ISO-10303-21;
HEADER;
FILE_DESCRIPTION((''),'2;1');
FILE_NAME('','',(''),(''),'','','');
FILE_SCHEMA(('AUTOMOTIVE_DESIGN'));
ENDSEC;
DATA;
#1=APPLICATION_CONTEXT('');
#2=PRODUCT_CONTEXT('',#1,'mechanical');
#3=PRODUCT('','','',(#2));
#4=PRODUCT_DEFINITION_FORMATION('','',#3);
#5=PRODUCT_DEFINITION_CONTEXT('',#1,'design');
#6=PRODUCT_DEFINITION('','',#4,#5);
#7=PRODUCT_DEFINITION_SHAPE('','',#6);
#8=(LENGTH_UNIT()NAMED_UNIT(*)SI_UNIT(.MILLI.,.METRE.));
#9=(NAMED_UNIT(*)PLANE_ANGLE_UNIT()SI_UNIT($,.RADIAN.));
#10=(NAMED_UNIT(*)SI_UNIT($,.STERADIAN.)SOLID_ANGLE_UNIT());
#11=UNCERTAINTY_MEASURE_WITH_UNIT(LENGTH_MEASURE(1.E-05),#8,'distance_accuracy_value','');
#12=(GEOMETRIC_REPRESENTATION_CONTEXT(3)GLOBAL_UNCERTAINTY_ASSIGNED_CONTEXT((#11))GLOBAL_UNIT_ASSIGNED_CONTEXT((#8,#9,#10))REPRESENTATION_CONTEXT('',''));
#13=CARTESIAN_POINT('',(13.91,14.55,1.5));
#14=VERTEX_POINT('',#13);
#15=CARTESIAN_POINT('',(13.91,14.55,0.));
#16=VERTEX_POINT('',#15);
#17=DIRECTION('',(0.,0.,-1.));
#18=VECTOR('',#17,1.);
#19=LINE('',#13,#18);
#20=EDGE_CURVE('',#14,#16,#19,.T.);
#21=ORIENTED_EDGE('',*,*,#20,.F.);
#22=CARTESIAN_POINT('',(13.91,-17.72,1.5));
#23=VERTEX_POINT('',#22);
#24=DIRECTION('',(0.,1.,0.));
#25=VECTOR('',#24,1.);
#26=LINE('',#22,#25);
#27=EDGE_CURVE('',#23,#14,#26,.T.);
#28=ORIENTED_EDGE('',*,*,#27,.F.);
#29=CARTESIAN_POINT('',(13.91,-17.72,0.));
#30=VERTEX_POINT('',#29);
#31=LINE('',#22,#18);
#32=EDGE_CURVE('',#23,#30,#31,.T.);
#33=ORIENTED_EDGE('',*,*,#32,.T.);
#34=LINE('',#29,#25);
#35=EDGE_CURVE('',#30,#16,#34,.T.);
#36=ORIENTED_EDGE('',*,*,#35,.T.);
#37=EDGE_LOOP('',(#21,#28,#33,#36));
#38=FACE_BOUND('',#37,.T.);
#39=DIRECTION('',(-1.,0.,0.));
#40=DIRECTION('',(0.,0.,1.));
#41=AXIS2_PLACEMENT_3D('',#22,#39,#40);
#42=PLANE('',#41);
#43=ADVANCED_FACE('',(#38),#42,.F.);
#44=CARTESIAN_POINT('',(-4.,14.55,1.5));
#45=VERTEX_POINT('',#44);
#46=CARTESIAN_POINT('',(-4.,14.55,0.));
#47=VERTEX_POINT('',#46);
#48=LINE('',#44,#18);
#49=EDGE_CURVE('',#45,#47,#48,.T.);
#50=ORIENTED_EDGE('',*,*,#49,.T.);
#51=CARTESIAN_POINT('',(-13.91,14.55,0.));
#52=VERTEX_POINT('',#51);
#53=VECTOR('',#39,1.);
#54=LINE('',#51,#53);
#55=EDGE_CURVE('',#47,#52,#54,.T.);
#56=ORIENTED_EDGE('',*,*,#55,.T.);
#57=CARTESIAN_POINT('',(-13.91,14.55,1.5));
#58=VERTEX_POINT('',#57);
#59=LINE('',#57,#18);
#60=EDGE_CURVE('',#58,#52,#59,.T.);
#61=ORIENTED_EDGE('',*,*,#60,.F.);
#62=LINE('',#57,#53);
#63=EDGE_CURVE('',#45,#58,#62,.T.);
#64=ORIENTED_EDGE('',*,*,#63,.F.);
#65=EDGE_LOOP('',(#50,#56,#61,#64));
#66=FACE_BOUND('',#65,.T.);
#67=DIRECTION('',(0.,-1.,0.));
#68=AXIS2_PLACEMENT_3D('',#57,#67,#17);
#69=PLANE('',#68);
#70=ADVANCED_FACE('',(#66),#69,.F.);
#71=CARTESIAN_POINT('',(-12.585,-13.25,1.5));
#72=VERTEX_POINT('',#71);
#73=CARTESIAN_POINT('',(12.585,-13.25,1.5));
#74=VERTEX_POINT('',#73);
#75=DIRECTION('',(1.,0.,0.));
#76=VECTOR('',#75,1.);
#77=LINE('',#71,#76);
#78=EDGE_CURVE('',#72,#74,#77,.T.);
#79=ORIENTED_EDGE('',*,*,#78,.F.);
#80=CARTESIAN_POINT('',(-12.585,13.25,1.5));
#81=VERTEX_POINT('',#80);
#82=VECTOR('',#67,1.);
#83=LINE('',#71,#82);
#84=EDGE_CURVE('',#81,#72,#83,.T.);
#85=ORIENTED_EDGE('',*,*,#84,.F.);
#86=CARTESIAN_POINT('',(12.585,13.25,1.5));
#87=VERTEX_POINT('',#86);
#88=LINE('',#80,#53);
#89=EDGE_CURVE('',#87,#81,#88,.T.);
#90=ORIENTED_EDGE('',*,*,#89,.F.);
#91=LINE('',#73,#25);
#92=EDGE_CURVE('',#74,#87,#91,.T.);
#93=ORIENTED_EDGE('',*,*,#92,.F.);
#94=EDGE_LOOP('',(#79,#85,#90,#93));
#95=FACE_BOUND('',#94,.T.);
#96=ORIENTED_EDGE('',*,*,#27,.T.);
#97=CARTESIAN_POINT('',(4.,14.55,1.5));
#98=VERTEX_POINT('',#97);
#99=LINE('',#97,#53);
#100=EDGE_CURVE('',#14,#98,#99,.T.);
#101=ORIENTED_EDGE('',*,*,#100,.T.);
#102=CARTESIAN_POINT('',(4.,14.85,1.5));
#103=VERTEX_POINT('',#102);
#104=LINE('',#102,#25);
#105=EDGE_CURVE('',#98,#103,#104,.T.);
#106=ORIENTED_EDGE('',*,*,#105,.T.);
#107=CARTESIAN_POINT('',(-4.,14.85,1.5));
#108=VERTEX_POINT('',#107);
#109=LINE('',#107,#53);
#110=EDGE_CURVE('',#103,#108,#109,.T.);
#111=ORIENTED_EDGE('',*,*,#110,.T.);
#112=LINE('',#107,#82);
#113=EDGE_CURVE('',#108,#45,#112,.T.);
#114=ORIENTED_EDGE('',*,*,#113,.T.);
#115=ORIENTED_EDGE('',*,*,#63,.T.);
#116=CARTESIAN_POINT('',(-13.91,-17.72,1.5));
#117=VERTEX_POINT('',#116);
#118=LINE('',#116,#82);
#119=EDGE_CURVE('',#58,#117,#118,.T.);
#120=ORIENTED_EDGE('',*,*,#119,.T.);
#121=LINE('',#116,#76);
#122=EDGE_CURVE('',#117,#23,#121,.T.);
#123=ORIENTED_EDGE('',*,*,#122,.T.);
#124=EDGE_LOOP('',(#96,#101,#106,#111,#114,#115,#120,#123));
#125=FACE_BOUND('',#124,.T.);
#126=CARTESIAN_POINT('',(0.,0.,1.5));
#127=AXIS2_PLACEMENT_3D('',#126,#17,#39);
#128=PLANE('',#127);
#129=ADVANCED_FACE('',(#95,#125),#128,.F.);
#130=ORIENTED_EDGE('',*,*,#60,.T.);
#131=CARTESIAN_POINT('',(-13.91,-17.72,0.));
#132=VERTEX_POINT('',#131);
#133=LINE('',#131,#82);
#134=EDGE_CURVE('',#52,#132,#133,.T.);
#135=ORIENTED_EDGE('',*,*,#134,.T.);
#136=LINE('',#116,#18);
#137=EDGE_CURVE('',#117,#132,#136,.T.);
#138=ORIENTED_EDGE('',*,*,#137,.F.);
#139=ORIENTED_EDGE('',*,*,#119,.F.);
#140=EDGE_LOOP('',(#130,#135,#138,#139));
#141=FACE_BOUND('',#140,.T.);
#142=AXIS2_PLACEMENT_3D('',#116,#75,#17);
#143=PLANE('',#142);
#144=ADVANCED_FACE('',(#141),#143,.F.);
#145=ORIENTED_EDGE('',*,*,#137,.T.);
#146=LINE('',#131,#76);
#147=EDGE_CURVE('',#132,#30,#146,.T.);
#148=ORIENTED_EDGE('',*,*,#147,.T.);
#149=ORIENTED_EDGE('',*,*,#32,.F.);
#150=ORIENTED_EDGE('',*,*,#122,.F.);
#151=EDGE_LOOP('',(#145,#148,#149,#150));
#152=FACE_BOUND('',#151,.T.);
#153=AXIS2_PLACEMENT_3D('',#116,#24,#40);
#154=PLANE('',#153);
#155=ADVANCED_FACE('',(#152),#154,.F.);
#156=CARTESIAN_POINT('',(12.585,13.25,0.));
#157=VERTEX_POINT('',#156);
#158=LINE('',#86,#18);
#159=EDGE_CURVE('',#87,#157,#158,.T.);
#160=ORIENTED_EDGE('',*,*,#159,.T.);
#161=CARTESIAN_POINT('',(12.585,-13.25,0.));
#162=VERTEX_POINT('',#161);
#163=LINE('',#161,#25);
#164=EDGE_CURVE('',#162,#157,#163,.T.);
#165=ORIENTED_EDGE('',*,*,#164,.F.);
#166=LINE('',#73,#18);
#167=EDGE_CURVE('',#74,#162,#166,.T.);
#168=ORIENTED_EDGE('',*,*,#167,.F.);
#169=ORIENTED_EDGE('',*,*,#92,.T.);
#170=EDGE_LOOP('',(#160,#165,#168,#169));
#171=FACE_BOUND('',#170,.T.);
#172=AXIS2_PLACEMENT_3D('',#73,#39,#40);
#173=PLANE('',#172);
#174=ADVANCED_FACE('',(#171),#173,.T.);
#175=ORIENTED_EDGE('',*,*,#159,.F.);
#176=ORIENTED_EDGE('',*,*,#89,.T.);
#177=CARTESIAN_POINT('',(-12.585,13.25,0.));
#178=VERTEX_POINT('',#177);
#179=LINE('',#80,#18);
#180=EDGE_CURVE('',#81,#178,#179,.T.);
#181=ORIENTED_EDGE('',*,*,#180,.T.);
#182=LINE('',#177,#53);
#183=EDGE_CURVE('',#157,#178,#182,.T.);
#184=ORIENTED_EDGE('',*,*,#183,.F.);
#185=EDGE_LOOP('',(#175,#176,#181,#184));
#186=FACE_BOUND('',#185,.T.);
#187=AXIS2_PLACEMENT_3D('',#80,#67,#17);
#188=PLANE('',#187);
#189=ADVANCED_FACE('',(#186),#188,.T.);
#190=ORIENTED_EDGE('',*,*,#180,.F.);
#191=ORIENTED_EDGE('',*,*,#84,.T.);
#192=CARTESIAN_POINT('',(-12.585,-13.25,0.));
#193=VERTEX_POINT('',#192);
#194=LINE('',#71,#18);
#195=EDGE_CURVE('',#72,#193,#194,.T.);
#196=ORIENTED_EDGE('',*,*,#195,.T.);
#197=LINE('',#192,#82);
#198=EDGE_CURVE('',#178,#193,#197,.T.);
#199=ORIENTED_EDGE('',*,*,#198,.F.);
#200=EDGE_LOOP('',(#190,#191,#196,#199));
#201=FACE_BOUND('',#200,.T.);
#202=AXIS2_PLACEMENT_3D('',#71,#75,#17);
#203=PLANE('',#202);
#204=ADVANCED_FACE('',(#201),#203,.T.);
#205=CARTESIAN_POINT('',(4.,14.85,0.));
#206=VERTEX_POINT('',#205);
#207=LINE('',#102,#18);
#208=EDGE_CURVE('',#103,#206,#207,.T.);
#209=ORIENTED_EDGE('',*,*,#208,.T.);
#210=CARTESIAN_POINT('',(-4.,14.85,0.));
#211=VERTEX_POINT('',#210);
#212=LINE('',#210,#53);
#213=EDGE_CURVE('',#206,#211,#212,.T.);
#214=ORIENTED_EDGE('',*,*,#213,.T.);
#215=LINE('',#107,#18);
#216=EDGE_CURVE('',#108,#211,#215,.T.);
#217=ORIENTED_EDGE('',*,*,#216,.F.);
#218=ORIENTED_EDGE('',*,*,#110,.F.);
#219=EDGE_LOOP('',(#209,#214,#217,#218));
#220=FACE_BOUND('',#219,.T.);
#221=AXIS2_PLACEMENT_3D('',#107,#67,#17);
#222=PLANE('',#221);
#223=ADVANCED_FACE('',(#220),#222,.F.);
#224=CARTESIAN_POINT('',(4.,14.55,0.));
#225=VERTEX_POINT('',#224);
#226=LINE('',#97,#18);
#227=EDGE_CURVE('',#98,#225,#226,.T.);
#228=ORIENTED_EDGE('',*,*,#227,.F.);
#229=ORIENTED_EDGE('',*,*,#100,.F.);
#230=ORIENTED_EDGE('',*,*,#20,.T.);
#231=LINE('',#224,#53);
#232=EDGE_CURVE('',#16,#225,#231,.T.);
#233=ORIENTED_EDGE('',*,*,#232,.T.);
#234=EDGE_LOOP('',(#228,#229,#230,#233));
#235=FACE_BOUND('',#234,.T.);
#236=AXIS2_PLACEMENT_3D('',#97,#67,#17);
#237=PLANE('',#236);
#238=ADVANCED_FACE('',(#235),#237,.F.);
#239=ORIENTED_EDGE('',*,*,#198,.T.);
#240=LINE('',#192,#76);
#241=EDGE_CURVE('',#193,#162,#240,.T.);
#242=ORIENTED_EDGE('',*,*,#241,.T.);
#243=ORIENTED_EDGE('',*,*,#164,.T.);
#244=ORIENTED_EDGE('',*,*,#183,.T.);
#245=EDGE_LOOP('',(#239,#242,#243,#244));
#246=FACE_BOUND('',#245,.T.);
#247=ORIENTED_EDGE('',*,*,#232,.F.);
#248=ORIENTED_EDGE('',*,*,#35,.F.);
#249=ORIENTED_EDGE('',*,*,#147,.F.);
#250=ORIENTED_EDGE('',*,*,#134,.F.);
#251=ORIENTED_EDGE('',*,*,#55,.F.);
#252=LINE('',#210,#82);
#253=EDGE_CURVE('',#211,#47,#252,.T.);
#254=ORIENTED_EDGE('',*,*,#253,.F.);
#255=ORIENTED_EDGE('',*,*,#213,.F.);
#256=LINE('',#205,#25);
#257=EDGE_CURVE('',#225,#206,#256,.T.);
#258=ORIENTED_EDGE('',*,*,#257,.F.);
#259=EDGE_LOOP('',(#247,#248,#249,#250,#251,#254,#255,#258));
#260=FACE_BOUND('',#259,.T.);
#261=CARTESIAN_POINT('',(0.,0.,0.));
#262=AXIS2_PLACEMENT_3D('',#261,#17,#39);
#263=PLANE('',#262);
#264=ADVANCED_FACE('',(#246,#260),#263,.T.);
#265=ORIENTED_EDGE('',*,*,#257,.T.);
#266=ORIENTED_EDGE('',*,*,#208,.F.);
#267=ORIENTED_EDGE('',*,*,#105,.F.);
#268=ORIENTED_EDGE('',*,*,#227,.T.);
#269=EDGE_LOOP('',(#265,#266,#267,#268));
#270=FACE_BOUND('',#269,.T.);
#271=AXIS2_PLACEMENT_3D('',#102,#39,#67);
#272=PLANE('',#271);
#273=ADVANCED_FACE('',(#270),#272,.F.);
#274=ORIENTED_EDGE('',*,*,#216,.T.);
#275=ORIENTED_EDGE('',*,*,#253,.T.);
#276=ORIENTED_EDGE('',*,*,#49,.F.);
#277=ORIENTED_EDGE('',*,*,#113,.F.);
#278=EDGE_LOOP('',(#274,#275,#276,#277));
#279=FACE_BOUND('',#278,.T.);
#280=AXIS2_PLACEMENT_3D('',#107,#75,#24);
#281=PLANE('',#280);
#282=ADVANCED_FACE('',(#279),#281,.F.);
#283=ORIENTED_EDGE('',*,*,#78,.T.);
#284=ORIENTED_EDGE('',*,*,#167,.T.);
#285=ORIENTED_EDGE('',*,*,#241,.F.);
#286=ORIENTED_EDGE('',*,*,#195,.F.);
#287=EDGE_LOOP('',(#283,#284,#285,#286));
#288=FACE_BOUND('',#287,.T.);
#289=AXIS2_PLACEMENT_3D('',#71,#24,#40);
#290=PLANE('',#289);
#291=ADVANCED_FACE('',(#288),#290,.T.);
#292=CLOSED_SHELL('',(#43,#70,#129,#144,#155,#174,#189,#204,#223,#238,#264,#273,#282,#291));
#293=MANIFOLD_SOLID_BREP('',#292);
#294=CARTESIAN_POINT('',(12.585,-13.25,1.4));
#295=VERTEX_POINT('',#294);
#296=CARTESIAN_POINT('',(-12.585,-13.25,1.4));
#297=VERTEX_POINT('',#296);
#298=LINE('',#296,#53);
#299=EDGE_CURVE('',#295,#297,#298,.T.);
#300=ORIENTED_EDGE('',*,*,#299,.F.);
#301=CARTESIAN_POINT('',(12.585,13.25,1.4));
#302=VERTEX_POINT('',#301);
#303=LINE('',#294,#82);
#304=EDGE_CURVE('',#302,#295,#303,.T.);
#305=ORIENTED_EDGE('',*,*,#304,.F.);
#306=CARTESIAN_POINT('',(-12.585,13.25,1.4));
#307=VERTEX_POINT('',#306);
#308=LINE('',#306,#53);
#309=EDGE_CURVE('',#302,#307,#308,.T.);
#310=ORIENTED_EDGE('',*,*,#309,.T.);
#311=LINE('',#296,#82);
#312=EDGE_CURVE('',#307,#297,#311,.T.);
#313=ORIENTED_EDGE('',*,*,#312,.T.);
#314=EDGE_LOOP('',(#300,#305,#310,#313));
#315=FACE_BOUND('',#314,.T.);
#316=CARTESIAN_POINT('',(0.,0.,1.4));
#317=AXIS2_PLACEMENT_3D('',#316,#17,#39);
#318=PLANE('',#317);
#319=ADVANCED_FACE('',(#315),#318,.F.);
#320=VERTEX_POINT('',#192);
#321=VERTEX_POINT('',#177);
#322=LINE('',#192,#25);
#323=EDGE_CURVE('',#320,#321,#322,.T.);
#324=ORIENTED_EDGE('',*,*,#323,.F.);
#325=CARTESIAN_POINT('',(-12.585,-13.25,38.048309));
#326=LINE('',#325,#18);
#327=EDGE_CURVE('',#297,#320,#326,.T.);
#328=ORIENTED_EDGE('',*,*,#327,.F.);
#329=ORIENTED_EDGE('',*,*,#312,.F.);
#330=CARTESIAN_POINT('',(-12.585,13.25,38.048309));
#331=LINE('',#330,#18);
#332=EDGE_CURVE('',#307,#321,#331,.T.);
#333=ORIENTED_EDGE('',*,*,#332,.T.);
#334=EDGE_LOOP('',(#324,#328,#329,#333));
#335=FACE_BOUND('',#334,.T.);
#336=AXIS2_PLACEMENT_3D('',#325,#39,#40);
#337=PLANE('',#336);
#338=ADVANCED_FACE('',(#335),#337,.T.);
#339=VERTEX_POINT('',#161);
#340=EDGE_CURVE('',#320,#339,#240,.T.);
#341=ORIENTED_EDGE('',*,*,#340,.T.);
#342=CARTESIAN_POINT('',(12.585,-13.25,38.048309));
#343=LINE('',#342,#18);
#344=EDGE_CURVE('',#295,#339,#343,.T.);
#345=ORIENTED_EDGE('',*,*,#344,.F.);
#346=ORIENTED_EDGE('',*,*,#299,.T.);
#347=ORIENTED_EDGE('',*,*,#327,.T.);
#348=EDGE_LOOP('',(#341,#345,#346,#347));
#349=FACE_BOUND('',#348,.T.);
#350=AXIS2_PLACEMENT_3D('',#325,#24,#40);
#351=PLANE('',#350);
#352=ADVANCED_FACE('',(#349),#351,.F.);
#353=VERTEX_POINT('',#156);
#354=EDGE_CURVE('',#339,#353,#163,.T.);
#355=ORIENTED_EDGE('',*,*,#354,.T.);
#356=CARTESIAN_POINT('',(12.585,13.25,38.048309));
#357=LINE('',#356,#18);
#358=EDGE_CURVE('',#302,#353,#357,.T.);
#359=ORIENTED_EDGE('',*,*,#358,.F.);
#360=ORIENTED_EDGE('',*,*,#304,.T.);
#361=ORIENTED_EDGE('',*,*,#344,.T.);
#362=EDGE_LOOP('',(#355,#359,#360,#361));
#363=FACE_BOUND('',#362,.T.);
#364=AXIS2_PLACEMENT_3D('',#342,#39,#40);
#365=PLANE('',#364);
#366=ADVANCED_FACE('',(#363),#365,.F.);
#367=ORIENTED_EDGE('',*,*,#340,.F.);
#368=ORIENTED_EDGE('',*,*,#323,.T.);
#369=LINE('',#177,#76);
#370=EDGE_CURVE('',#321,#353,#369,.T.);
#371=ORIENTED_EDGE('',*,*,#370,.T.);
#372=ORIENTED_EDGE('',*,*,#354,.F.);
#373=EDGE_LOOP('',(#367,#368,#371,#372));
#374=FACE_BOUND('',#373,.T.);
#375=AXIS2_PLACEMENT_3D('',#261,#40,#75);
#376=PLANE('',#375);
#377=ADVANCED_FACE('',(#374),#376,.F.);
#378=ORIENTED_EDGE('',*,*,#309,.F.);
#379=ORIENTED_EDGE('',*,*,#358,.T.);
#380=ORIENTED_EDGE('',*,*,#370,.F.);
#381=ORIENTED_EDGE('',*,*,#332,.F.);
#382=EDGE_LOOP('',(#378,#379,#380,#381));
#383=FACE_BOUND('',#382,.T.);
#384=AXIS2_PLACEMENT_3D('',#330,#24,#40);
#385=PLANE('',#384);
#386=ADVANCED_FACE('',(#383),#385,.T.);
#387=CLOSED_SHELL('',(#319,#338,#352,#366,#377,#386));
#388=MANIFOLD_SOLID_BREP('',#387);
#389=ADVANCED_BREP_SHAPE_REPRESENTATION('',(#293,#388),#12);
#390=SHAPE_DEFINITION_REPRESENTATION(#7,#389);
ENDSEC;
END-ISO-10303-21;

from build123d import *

# Parameters (mm, degrees)
SKETCH1_W           = 25.17
SKETCH1_H           = 26.5
BOSS_EXTRUDE3_DEPTH = 1.5
SKETCH1_4_W         = 25.17
SKETCH1_4_H         = 26.5
BOSS_EXTRUDE4_DEPTH = 1.4


with BuildPart() as part:
    # Sketch1 → Boss-Extrude3 (new body)
    with BuildSketch(Plane.XY):
        Polygon((4, 14.55), (13.91, 14.55), (13.91, -17.72), (-13.91, -17.72), (-13.91, 14.55), (-4, 14.55), (-4, 14.85), (4, 14.85), align=None)
        Rectangle(SKETCH1_W, SKETCH1_H, mode=Mode.SUBTRACT)
    extrude(amount=BOSS_EXTRUDE3_DEPTH)


with BuildPart() as body_2:
    # Sketch1<4> → Boss-Extrude4 (new body)
    with BuildSketch(Plane.XY):
        Rectangle(SKETCH1_4_W, SKETCH1_4_H)
    extrude(amount=BOSS_EXTRUDE4_DEPTH)


solid = Compound([part.part, body_2.part])
